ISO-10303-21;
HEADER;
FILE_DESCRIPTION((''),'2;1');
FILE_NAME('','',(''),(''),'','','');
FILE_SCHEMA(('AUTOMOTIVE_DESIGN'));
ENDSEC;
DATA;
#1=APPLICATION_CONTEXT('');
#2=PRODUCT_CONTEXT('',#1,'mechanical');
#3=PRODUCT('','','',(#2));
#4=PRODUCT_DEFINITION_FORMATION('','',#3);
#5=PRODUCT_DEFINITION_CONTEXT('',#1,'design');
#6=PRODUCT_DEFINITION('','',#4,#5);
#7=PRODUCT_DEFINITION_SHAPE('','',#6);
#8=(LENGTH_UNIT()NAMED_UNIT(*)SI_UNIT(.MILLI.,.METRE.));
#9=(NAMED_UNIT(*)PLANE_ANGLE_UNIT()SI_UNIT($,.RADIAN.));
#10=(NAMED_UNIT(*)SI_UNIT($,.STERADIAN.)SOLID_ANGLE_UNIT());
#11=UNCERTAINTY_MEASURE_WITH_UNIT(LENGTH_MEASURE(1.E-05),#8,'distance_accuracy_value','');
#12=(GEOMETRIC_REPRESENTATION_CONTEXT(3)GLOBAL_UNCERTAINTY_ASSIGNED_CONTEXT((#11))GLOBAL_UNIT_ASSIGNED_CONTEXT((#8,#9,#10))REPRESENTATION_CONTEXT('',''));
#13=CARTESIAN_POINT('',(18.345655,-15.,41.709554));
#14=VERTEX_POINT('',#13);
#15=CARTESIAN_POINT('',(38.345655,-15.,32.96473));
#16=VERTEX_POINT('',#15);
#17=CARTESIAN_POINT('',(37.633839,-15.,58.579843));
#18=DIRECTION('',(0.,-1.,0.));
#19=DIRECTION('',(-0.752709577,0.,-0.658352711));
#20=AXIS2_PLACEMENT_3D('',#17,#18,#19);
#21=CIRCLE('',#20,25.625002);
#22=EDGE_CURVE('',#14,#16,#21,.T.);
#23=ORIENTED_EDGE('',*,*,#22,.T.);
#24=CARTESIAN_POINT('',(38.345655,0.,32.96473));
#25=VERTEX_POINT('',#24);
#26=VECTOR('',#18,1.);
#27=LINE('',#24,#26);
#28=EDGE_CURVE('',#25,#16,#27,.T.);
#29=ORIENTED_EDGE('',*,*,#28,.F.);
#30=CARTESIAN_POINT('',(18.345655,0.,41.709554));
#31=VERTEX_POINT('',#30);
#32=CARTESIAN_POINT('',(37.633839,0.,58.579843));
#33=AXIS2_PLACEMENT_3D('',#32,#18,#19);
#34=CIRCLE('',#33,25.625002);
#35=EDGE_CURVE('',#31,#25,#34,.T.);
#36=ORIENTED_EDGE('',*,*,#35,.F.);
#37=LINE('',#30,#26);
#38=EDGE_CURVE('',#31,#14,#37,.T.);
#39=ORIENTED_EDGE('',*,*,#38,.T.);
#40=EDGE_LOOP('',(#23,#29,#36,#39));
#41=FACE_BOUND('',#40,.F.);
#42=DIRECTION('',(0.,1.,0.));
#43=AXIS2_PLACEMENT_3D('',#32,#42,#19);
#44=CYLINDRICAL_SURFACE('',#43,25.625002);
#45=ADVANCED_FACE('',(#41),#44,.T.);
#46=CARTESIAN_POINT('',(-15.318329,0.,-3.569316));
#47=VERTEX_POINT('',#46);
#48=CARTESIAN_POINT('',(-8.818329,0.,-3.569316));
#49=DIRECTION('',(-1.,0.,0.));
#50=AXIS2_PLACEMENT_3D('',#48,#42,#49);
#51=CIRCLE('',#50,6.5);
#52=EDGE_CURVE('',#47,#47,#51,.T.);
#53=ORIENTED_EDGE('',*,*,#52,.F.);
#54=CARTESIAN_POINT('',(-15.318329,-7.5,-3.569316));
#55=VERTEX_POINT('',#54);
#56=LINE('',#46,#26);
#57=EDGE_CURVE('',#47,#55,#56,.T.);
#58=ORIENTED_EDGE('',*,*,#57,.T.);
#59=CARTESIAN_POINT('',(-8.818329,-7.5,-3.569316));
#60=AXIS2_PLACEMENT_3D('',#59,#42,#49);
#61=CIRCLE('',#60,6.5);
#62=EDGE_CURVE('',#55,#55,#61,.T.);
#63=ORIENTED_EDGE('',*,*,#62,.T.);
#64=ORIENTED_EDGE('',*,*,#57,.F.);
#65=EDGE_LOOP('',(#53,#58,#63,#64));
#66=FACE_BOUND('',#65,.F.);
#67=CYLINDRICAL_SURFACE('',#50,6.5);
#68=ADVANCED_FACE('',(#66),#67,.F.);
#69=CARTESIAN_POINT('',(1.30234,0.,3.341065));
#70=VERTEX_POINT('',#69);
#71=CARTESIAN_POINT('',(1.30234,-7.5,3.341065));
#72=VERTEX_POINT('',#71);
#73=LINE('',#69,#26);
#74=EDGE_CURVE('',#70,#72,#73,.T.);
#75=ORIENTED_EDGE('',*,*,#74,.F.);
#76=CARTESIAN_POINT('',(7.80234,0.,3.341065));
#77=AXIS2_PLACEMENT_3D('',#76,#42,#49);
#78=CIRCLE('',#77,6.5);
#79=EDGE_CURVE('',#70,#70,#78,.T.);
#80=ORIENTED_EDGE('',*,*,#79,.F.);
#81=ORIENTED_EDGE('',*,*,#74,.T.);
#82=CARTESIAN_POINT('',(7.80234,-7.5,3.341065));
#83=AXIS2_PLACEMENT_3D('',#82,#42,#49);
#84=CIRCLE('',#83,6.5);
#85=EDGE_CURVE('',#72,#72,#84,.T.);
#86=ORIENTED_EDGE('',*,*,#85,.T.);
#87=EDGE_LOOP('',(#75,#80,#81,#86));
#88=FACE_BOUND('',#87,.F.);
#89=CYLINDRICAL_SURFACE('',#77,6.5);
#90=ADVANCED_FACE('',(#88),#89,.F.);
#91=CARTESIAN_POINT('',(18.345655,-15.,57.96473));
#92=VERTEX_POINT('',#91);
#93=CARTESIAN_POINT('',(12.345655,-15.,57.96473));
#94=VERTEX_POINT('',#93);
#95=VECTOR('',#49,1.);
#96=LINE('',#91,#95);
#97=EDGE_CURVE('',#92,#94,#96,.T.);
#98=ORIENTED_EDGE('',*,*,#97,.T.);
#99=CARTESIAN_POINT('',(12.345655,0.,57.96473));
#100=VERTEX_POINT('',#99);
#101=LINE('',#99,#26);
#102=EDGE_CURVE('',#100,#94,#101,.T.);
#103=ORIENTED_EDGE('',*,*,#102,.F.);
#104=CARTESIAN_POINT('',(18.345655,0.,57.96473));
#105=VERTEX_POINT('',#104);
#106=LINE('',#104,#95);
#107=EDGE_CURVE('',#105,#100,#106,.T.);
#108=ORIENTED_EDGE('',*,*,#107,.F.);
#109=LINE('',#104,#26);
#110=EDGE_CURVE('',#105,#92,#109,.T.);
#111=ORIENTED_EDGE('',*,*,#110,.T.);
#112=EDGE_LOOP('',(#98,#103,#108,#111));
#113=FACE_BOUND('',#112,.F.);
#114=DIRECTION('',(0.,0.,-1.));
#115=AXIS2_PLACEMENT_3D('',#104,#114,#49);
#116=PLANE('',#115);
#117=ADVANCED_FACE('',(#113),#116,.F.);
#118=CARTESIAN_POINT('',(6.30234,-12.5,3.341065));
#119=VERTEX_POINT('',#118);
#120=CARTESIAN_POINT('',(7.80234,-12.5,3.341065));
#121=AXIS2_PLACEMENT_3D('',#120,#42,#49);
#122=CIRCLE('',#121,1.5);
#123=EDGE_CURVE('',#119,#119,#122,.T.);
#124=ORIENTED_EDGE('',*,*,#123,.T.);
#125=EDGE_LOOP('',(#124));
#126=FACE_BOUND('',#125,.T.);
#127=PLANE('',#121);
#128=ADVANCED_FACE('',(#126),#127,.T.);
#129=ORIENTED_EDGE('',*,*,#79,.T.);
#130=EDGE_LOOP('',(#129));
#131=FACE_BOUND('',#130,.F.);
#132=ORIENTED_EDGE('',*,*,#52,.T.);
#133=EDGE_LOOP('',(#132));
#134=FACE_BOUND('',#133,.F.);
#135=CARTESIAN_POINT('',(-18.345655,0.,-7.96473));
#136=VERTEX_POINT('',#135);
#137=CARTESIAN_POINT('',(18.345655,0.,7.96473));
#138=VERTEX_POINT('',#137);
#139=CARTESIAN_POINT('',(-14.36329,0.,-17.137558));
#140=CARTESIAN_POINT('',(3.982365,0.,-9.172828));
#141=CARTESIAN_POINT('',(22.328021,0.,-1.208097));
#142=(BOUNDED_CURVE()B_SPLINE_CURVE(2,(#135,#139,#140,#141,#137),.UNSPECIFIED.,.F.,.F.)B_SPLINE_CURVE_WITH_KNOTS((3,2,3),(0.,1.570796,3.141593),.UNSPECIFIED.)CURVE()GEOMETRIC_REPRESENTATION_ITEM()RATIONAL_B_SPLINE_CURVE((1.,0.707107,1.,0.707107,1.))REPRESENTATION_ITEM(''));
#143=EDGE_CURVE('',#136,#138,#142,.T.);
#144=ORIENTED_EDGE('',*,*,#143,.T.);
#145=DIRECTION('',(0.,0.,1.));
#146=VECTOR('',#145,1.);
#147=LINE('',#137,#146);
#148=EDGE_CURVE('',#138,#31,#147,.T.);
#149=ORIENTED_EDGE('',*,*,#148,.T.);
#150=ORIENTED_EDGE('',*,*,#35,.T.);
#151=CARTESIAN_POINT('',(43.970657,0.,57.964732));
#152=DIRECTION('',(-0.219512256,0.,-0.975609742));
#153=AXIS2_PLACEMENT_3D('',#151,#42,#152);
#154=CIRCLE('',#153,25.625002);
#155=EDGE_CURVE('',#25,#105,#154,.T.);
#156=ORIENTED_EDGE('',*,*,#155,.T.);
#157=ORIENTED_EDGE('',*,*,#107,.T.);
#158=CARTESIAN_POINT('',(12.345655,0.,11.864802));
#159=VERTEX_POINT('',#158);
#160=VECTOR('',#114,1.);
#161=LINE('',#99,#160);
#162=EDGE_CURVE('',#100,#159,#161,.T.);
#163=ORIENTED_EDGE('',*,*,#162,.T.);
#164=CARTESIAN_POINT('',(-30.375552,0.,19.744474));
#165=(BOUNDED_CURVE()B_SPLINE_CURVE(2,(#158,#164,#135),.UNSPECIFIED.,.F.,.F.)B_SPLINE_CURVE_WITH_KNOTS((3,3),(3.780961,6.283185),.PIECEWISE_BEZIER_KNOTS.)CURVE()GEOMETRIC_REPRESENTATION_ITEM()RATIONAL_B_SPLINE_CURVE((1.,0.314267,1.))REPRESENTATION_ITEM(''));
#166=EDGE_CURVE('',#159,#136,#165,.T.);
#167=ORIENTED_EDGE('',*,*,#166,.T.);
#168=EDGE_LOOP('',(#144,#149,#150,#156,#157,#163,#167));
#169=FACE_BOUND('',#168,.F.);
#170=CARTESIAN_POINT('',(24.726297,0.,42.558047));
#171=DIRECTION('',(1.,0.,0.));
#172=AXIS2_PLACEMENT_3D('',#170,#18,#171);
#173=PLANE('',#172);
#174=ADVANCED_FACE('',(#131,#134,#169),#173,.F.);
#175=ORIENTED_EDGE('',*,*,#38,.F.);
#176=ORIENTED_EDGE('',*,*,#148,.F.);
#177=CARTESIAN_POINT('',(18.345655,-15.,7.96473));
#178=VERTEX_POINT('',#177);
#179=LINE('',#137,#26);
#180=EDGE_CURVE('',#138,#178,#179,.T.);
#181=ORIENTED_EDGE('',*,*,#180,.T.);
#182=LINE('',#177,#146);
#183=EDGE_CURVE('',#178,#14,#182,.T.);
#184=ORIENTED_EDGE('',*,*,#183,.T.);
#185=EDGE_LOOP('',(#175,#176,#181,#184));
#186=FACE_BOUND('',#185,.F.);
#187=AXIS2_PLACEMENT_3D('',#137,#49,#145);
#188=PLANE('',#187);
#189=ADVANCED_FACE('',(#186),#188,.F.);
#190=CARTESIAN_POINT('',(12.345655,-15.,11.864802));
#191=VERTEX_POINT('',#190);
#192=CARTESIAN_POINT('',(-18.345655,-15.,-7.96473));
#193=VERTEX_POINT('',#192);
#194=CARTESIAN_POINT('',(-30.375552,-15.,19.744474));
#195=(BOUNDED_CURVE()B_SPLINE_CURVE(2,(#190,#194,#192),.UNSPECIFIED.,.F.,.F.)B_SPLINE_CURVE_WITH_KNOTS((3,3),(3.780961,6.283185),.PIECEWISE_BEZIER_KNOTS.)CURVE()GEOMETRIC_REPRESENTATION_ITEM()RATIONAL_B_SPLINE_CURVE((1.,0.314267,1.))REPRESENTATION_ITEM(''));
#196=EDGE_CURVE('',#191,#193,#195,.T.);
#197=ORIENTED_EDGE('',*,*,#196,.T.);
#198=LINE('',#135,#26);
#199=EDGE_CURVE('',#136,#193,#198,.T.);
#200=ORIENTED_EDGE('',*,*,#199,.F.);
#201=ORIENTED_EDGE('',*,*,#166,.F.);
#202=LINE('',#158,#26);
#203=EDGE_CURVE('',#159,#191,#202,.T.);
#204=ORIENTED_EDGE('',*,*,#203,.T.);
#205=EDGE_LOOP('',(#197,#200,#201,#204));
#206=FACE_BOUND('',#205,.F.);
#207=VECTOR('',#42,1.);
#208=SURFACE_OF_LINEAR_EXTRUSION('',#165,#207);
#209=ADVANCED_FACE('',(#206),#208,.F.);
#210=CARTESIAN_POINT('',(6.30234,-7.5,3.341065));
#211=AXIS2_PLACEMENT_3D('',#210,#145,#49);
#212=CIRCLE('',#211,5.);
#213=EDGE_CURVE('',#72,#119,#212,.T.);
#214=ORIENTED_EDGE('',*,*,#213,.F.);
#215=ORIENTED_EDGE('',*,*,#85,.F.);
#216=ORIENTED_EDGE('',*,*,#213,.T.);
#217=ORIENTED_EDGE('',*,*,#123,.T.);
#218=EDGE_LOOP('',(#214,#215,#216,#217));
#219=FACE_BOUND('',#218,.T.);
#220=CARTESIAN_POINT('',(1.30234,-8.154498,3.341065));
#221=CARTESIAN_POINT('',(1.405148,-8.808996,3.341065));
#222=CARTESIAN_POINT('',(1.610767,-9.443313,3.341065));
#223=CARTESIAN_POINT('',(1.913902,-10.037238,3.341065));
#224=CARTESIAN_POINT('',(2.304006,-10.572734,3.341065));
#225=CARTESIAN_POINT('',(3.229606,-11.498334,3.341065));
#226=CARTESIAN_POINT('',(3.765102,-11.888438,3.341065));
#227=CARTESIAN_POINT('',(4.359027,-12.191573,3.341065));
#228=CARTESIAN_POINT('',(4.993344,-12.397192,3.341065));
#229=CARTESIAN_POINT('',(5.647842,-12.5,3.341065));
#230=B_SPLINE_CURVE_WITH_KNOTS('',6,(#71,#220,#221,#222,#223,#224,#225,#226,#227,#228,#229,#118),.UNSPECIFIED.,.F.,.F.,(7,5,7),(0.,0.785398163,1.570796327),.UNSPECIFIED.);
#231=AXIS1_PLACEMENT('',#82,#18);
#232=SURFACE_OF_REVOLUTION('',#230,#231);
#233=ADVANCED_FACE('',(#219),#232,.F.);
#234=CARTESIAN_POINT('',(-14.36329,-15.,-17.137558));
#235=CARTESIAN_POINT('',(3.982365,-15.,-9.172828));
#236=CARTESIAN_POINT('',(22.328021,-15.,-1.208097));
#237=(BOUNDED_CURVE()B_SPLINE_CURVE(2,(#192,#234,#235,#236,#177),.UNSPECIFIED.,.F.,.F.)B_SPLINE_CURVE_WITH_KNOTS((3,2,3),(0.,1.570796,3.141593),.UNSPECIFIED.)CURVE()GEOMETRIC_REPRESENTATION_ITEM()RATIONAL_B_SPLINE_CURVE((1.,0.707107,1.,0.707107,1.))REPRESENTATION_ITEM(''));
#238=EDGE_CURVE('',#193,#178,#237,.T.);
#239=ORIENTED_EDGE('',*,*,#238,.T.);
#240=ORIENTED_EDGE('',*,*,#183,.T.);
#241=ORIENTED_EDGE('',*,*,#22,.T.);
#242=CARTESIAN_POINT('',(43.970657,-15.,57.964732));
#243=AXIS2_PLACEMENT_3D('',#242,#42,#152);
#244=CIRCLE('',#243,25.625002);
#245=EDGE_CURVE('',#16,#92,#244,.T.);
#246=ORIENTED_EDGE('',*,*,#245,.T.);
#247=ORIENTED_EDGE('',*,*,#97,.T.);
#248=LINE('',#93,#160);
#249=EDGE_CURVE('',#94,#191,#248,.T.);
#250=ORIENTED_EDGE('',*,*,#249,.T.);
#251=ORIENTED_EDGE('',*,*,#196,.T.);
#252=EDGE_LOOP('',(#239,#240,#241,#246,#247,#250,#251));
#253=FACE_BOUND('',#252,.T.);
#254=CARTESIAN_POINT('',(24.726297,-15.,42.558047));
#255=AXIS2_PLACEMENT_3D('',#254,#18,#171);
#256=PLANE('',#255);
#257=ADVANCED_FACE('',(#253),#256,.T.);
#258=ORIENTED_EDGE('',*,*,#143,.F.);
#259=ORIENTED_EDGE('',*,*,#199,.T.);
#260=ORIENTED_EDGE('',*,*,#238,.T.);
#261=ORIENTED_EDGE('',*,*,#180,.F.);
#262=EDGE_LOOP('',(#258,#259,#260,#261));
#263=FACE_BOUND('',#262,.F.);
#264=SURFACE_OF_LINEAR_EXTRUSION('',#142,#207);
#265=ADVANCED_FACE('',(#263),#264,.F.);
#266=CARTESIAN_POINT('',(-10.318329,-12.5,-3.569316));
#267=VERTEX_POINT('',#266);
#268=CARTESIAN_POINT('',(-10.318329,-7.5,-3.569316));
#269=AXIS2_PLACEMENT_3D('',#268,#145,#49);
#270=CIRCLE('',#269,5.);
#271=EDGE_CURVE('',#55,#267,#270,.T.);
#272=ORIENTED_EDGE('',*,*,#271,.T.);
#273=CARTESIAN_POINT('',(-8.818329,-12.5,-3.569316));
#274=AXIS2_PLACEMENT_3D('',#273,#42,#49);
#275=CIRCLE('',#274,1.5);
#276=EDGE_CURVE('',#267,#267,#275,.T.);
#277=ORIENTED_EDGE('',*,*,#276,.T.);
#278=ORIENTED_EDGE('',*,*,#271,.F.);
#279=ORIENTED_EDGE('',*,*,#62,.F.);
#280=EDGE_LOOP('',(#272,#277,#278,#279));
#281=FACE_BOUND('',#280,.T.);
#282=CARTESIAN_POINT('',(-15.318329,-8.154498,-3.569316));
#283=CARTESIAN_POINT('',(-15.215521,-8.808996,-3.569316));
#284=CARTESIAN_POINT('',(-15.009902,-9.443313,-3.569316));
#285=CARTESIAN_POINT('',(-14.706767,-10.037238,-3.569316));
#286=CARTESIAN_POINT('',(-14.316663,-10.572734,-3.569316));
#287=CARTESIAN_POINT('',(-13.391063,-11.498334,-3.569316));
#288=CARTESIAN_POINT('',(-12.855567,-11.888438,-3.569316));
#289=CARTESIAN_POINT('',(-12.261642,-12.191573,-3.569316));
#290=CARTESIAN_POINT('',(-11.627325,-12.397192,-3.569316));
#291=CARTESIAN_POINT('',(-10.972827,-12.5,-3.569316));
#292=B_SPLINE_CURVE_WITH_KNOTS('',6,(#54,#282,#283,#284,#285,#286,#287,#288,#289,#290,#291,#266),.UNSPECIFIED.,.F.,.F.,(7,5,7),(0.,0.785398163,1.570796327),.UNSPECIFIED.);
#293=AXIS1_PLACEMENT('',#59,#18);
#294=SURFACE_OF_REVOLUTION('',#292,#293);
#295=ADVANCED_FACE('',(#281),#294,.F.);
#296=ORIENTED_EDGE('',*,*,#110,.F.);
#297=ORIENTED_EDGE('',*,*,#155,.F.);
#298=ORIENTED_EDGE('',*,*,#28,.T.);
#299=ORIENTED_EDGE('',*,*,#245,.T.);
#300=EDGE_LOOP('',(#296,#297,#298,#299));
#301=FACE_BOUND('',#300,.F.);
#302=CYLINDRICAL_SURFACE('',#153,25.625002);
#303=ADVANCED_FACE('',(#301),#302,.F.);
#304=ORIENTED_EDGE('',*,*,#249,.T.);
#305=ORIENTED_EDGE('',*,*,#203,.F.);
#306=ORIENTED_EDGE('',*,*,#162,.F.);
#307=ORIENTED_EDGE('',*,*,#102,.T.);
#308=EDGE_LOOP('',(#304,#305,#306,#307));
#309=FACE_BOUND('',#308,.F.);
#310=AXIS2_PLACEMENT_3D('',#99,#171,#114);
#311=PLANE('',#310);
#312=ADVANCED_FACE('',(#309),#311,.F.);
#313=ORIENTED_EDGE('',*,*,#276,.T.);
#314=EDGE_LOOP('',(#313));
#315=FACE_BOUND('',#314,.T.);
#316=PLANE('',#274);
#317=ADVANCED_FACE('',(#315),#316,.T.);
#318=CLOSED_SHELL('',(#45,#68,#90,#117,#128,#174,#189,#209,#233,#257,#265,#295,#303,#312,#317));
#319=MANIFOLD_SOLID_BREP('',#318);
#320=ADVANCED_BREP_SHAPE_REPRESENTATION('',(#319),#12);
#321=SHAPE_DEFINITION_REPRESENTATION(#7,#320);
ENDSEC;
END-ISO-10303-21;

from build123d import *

# Parameters (mm, degrees)
F1_DEPTH = 15
F2_DEPTH = 15
F4_R     = 6.5
F5_DEPTH = 12.5
F6_R     = 5


with BuildPart() as f1:
    # F0 (on Front) → F1 (new body)
    with BuildSketch(Plane.XZ):
        with BuildLine():
            add(Edge.make_bspline(
                [(12.345655, 11.864802), (-30.375552, 19.744474), (-18.345655, -7.96473)],
                knots=[3.780961, 3.780961, 3.780961, 6.283185, 6.283185, 6.283185], degree=2, weights=[1, 0.314267, 1]))
            add(Edge.make_bspline(
                [(-18.345655, -7.96473), (-14.36329, -17.137558), (3.982365, -9.172828), (22.328021, -1.208097), (18.345655, 7.96473)],
                knots=[0, 0, 0, 1.570796, 1.570796, 3.141593, 3.141593, 3.141593], degree=2, weights=[1, 0.707107, 1, 0.707107, 1]))
            Line((18.345655, 7.96473), (12.345655, 7.96473))
            Line((12.345655, 7.96473), (12.345655, 11.864802))
        make_face()
        with BuildLine():
            Line((12.345655, 7.96473), (18.345655, 7.96473))
            add(Edge.make_bspline(
                [(18.345655, 7.96473), (17.027337, 11.001294), (12.345655, 11.864802)],
                knots=[3.141593, 3.141593, 3.141593, 3.780961, 3.780961, 3.780961], degree=2, weights=[1, 0.949335, 1]))
            Line((12.345655, 11.864802), (12.345655, 7.96473))
        make_face()
        with BuildLine():
            add(Edge.make_bspline(
                [(18.345655, 7.96473), (17.027337, 11.001294), (12.345655, 11.864802)],
                knots=[3.141593, 3.141593, 3.141593, 3.780961, 3.780961, 3.780961], degree=2, weights=[1, 0.949335, 1]))
            Line((18.345655, 7.96473), (18.345655, 41.709554))
            Line((18.345655, 41.709554), (18.345655, 57.96473))
            Line((18.345655, 57.96473), (12.345655, 57.96473))
            Line((12.345655, 57.96473), (12.345655, 11.864802))
        make_face()
    extrude(amount=F1_DEPTH)


with BuildPart() as f2:
    # F0 (on Front) → F2 (new body)
    with BuildSketch(Plane.XZ):
        with BuildLine():
            Line((18.345655, 57.96473), (18.345655, 41.709554))
            ThreePointArc((18.345655, 41.709554), (27.367957, 35.101079), (38.345655, 32.96473))
            ThreePointArc((38.345655, 32.96473), (23.960892, 41.95692), (18.345655, 57.96473))
        make_face()
    extrude(amount=F2_DEPTH)


with BuildPart() as f1_1:
    add(f1.part)

    # F3: union F2
    add(f2.part)

    # F4 (on face) → F5 (cut)
    with BuildSketch(Plane(origin=(0, 0, 0), x_dir=(-1, 0, 0), z_dir=(0, 1, 0))):
        with Locations((-7.80234, 3.341065)):
            Circle(F4_R)
        with Locations((8.818329, -3.569316)):
            Circle(F4_R)
    extrude(amount=-F5_DEPTH, mode=Mode.SUBTRACT)

    # F6
    f6_edges = [f1_1.edges().sort_by_distance(p)[0] for p in [
        (-2.318329, -12.5, -3.569316),
        (14.30234, -12.5, 3.341065),
    ]]
    fillet(f6_edges, radius=F6_R)


solid = f1_1.part
